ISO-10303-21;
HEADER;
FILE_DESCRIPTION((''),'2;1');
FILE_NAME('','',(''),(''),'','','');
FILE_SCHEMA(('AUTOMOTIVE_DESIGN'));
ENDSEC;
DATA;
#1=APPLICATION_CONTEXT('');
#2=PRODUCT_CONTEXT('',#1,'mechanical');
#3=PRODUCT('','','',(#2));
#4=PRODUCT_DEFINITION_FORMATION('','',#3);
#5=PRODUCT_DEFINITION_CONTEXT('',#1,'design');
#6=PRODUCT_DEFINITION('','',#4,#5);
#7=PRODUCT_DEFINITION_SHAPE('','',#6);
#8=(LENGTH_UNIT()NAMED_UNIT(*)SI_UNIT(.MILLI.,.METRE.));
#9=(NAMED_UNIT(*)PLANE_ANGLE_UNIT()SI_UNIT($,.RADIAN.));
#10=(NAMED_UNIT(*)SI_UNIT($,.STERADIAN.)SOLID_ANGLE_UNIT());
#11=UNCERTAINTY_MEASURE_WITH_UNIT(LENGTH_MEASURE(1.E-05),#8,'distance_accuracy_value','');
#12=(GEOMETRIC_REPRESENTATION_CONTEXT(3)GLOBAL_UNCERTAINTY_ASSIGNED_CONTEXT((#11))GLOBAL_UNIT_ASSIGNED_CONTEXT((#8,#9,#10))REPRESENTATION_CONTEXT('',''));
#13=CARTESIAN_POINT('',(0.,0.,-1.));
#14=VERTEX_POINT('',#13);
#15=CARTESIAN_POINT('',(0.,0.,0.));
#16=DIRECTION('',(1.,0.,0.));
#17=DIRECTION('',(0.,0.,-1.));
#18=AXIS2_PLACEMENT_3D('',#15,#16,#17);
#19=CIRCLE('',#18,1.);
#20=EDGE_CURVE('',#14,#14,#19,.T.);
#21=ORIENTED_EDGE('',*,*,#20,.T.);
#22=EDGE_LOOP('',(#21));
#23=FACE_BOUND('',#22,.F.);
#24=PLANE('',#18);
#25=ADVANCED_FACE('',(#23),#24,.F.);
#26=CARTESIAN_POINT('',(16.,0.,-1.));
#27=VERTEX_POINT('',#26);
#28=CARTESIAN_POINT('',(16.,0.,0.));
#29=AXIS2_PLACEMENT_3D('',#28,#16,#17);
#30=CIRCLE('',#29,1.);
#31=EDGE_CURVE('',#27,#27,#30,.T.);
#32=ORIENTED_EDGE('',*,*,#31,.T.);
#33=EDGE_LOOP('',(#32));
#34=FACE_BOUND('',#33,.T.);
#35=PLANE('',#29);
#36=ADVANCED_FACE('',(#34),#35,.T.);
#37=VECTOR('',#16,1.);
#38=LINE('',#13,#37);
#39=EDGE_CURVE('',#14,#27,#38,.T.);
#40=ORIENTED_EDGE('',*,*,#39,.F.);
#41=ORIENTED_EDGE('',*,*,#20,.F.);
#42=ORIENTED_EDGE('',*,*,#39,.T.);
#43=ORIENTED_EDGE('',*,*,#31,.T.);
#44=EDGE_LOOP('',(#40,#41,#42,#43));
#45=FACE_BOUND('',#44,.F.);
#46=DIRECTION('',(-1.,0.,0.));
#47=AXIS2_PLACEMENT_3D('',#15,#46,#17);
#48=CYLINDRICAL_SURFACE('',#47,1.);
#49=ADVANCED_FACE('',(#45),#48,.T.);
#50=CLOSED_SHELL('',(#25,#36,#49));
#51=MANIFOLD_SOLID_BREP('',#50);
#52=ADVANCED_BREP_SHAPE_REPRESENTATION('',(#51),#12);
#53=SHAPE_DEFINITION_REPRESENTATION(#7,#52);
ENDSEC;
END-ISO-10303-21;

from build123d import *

# Parameters (mm, degrees)
SKETCH2_R           = 1
BOSS_EXTRUDE1_DEPTH = 16


with BuildPart() as part:
    # Sketch2 → Boss-Extrude1 (new body)
    with BuildSketch(Plane(origin=(0, 0, 0), x_dir=(0, 0, -1), z_dir=(1, 0, 0))):
        Circle(SKETCH2_R)
    extrude(amount=BOSS_EXTRUDE1_DEPTH)


solid = part.part
